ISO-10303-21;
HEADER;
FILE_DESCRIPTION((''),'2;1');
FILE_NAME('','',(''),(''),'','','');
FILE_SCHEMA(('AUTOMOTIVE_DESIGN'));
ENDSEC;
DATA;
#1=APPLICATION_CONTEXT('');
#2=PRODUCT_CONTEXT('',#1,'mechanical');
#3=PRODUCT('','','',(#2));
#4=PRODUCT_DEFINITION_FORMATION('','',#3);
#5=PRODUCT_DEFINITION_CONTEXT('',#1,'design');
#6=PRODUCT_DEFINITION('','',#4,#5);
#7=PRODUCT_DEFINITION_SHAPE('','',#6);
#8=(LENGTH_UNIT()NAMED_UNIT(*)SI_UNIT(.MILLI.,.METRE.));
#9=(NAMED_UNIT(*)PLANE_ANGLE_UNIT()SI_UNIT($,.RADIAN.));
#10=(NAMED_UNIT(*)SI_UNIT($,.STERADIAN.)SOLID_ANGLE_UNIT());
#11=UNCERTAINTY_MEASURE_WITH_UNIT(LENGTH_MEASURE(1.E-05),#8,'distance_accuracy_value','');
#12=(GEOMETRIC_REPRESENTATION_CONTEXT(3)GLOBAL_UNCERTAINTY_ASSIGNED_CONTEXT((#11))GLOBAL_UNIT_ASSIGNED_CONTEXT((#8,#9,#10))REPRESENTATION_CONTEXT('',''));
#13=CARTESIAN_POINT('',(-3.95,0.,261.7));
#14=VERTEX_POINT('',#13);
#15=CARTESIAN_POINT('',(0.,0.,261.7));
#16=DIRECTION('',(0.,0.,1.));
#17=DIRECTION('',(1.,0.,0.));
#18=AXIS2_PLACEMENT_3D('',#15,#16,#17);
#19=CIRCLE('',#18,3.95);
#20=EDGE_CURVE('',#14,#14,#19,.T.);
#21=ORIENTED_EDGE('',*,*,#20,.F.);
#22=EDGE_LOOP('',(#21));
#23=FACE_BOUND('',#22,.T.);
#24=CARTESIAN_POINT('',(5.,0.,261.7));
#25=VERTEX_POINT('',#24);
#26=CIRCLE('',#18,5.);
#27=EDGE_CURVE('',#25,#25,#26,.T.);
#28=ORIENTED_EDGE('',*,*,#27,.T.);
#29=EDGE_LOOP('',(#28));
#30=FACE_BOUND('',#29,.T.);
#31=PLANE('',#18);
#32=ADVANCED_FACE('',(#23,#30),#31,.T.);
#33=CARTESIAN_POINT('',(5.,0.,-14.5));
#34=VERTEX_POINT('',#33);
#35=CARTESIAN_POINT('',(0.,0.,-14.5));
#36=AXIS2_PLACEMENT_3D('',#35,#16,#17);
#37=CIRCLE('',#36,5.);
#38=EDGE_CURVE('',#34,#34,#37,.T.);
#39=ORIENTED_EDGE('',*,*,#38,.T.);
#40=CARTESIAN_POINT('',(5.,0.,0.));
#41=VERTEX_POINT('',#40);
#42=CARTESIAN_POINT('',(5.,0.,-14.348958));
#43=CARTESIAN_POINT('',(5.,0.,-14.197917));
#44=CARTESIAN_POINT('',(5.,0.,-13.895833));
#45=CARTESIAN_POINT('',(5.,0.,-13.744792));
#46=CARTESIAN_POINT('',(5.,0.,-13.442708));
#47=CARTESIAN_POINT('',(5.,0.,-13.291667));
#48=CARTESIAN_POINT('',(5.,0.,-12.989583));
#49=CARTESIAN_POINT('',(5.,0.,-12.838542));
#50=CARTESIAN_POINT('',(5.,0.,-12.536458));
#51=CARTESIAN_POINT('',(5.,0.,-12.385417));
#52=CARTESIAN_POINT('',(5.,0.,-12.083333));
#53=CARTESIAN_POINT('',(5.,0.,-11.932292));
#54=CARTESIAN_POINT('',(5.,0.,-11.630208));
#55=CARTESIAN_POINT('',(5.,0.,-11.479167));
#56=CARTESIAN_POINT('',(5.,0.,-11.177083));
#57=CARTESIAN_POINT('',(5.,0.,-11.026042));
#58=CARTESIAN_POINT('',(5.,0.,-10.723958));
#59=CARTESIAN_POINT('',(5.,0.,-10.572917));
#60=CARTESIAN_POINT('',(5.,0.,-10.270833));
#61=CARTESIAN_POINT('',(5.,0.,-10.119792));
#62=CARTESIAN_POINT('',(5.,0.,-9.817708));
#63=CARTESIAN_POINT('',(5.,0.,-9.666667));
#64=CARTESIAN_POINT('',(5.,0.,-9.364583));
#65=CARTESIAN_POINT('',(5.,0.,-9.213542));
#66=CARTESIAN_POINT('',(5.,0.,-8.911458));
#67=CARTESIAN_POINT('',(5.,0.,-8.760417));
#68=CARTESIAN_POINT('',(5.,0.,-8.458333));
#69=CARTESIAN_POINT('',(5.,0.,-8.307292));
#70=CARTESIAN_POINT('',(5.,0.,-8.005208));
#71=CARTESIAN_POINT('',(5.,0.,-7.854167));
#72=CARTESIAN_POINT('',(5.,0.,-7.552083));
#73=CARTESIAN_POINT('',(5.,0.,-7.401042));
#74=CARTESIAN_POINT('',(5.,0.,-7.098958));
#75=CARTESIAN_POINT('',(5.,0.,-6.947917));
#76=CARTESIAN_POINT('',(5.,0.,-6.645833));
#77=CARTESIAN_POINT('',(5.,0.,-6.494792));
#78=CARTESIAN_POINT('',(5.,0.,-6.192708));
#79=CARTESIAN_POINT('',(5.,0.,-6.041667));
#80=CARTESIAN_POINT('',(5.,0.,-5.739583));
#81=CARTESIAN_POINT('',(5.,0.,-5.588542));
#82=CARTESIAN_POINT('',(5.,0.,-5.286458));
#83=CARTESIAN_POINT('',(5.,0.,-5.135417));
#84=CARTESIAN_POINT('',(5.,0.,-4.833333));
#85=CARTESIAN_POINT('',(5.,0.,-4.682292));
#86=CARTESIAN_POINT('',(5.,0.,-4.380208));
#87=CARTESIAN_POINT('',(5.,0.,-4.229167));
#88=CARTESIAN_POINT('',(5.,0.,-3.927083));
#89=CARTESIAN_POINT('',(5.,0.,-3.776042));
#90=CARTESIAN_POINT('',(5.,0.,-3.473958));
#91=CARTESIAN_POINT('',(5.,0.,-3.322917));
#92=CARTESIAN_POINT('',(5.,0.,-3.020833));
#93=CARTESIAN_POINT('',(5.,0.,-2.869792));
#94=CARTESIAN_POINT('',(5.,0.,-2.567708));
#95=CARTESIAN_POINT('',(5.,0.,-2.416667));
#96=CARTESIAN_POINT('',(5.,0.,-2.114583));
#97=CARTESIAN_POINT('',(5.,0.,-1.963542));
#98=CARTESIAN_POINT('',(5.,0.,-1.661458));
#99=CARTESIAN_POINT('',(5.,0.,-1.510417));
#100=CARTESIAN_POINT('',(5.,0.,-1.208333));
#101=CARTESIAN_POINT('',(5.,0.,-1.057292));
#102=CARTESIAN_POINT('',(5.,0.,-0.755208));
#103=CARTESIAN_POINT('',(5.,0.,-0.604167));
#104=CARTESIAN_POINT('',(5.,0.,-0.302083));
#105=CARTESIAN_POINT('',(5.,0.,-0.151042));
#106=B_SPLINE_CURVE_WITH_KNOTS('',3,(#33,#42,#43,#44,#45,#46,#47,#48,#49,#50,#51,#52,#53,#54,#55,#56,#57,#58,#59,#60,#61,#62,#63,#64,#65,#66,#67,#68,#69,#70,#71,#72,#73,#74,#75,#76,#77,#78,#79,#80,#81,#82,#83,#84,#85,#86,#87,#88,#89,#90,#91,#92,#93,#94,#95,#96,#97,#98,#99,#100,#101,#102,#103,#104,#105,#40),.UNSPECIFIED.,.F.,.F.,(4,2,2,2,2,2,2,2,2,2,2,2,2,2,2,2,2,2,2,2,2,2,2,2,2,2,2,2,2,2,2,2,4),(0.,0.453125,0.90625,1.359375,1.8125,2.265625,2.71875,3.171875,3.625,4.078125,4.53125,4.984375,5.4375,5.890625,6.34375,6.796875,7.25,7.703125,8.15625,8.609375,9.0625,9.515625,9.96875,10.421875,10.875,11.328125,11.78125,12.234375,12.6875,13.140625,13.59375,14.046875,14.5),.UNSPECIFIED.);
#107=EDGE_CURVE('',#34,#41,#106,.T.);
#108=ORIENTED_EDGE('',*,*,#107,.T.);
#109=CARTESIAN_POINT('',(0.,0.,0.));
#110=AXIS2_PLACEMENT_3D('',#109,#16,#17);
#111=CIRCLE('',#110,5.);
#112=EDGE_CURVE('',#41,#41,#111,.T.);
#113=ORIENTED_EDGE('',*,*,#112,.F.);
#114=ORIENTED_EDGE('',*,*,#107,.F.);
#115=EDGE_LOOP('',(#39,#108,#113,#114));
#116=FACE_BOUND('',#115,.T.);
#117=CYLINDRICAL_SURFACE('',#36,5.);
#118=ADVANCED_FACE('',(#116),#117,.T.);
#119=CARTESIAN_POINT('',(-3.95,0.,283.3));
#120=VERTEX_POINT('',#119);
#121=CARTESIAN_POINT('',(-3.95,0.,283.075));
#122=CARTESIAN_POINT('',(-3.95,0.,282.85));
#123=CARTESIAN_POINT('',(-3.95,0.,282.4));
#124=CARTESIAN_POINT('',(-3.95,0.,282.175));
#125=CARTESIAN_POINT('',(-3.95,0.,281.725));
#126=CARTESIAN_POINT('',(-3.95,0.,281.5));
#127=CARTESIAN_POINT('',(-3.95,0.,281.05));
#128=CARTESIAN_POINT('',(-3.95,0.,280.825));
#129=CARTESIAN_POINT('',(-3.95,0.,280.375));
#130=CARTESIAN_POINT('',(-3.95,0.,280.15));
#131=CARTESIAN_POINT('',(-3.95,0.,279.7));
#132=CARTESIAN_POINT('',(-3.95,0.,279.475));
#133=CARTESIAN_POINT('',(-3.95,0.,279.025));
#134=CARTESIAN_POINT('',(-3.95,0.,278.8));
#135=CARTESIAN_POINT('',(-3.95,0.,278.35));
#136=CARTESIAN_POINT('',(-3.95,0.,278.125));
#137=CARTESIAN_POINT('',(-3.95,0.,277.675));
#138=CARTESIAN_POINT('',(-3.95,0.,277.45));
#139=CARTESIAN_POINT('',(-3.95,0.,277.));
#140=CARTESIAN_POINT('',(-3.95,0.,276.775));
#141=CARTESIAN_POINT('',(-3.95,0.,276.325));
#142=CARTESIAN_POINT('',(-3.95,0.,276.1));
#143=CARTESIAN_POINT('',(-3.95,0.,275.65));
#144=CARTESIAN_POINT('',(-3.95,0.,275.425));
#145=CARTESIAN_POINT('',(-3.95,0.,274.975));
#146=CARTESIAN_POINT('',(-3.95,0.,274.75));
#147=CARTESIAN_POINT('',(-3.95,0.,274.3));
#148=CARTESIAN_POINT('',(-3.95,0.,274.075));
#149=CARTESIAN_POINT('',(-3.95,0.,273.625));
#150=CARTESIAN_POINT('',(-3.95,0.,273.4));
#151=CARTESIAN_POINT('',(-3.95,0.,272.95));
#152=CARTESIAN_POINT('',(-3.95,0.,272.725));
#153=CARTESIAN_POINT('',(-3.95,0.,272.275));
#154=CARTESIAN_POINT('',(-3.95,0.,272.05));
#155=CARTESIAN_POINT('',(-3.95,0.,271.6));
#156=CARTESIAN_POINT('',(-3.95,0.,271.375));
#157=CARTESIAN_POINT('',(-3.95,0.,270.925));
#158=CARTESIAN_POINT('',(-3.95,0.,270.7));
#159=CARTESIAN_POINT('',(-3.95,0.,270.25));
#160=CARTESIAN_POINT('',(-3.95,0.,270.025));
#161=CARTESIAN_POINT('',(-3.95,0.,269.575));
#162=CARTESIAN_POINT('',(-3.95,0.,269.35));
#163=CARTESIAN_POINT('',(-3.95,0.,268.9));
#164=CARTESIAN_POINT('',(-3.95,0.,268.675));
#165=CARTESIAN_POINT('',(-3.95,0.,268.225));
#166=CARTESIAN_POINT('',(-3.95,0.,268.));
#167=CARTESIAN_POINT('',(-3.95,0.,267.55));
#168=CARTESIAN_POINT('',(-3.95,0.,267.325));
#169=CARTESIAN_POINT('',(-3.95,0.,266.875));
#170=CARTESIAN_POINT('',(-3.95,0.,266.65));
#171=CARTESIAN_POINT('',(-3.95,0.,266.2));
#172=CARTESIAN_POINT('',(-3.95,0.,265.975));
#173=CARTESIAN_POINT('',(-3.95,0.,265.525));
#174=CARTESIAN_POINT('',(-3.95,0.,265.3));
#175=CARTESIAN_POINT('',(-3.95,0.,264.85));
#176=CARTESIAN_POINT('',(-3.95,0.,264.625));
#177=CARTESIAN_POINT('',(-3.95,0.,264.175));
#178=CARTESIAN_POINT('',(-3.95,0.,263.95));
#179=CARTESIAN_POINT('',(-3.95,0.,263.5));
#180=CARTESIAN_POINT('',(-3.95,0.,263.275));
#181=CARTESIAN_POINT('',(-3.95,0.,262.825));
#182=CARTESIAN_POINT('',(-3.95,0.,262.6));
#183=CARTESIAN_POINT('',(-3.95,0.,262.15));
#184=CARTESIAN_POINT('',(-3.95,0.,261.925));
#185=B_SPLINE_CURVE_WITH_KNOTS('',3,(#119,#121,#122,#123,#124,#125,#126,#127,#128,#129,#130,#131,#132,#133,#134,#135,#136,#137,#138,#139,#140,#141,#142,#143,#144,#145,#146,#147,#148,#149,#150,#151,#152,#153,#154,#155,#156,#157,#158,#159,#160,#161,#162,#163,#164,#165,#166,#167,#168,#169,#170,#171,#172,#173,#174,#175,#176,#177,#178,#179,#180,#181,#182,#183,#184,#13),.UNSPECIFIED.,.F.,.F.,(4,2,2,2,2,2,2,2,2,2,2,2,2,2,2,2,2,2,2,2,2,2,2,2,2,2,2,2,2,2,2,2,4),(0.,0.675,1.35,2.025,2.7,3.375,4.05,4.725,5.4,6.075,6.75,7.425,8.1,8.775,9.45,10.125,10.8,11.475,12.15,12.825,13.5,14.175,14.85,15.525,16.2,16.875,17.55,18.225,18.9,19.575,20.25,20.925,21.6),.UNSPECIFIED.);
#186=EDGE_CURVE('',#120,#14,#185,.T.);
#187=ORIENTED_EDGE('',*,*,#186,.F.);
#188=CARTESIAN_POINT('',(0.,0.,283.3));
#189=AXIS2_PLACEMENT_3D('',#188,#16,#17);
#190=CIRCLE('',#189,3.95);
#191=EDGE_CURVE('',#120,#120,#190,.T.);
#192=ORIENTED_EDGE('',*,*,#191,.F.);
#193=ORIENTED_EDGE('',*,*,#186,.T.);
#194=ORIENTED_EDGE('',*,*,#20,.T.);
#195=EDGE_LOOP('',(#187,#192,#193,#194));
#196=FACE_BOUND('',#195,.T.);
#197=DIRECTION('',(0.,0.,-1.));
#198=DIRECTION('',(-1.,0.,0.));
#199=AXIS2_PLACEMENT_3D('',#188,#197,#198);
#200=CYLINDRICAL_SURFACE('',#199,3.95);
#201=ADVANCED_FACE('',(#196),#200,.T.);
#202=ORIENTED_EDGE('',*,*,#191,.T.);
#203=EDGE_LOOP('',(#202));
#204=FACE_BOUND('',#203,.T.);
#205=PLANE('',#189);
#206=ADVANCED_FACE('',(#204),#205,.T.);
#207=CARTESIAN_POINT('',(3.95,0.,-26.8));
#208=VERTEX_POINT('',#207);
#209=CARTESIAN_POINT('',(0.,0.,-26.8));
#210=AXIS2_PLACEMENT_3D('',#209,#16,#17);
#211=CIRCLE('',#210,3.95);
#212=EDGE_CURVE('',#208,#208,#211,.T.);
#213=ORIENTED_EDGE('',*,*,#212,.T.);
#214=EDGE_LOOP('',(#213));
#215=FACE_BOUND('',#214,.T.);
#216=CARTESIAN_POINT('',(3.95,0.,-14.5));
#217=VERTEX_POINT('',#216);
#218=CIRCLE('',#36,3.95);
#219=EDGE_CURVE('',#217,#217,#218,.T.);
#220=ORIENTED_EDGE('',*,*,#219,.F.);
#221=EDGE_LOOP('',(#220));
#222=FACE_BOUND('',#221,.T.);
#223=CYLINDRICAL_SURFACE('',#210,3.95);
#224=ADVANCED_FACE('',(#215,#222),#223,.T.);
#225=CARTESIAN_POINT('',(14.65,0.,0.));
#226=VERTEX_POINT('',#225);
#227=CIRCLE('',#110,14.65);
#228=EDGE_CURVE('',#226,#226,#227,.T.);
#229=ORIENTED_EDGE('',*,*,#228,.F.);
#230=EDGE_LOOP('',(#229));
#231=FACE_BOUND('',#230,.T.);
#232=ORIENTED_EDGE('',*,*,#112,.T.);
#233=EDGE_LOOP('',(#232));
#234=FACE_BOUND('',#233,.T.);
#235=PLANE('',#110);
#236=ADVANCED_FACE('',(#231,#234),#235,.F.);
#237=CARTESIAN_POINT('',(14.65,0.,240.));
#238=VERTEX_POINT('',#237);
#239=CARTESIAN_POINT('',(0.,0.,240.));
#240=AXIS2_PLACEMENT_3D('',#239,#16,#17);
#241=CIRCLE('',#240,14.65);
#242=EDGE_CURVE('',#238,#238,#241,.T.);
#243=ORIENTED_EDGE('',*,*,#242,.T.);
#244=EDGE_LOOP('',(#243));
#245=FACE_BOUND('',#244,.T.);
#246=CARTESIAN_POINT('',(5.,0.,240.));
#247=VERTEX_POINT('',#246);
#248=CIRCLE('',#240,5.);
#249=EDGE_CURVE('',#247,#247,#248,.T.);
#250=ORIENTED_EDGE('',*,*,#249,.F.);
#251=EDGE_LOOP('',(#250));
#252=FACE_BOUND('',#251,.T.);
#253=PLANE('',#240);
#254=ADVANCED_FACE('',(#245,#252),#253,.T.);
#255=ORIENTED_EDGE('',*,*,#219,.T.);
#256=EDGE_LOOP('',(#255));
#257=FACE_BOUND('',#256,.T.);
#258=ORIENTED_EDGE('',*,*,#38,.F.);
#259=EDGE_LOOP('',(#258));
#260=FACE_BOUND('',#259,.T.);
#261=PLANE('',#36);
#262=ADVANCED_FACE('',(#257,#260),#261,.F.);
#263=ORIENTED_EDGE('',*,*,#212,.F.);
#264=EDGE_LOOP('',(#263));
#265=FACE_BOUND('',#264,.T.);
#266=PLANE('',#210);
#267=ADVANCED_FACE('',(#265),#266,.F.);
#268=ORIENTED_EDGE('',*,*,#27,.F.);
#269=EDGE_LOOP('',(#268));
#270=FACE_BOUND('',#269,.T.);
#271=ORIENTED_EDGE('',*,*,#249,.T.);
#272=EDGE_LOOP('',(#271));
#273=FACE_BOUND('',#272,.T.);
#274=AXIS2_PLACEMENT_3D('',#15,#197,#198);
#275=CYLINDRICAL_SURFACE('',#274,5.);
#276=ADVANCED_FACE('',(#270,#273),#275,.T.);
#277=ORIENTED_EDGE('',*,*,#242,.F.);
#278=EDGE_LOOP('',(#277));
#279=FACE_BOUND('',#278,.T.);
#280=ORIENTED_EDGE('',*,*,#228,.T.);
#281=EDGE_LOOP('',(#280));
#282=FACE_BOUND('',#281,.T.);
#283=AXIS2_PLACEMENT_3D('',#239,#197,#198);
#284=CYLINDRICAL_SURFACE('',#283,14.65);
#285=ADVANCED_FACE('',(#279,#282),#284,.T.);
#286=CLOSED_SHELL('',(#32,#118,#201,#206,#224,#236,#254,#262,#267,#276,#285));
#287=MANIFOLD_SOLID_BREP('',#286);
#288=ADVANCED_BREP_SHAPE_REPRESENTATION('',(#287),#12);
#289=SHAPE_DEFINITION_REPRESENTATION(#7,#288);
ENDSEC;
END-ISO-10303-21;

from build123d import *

# Parameters (mm, degrees)
SKETCH1_R           = 14.65
SKETCH1_R_2         = 5
SKETCH1_R_3         = 3.95
BOSS_EXTRUDE1_DEPTH = 240
SKETCH1_3_R         = 5
BOSS_EXTRUDE2_DEPTH = 14.5
BOSS_EXTRUDE3_START = -14.5
SKETCH1_4_R         = 3.95
BOSS_EXTRUDE3_DEPTH = 12.3
BOSS_EXTRUDE4_START = 261.7
SKETCH1_5_R         = 5
SKETCH1_5_R_2       = 3.95
BOSS_EXTRUDE4_DEPTH = 21.7
BOSS_EXTRUDE5_START = 283.3
SKETCH1_6_R         = 3.95
BOSS_EXTRUDE5_DEPTH = 21.6


with BuildPart() as part:
    # Sketch1 → Boss-Extrude1 (new body)
    # profile 1 of 3: a face of its own
    with BuildSketch(Plane.XY):
        Circle(SKETCH1_R)
        Circle(SKETCH1_R_2, mode=Mode.SUBTRACT)
    # profile 2 of 3: a face of its own
    with BuildSketch(Plane.XY):
        Circle(SKETCH1_R_2)
        Circle(SKETCH1_R_3, mode=Mode.SUBTRACT)
    # profile 3 of 3: a face of its own
    with BuildSketch(Plane.XY):
        Circle(SKETCH1_R_3)
    extrude(amount=BOSS_EXTRUDE1_DEPTH)

    # Sketch1<3> → Boss-Extrude2 (add)
    with BuildSketch(Plane.XY):
        Circle(SKETCH1_3_R)
    extrude(amount=-BOSS_EXTRUDE2_DEPTH)

    # Sketch1<4> → Boss-Extrude3 (add)
    with BuildSketch(Plane.XY.offset(BOSS_EXTRUDE3_START)):
        Circle(SKETCH1_4_R)
    extrude(amount=-BOSS_EXTRUDE3_DEPTH)

    # Sketch1<5> → Boss-Extrude4 (add)
    # profile 1 of 2: a face of its own
    with BuildSketch(Plane.XY.offset(BOSS_EXTRUDE4_START)):
        Circle(SKETCH1_5_R)
        Circle(SKETCH1_5_R_2, mode=Mode.SUBTRACT)
    # profile 2 of 2: a face of its own
    with BuildSketch(Plane.XY.offset(BOSS_EXTRUDE4_START)):
        Circle(SKETCH1_5_R_2)
    extrude(amount=-BOSS_EXTRUDE4_DEPTH)

    # Sketch1<6> → Boss-Extrude5 (add)
    with BuildSketch(Plane.XY.offset(BOSS_EXTRUDE5_START)):
        Circle(SKETCH1_6_R)
    extrude(amount=-BOSS_EXTRUDE5_DEPTH)


solid = part.part
